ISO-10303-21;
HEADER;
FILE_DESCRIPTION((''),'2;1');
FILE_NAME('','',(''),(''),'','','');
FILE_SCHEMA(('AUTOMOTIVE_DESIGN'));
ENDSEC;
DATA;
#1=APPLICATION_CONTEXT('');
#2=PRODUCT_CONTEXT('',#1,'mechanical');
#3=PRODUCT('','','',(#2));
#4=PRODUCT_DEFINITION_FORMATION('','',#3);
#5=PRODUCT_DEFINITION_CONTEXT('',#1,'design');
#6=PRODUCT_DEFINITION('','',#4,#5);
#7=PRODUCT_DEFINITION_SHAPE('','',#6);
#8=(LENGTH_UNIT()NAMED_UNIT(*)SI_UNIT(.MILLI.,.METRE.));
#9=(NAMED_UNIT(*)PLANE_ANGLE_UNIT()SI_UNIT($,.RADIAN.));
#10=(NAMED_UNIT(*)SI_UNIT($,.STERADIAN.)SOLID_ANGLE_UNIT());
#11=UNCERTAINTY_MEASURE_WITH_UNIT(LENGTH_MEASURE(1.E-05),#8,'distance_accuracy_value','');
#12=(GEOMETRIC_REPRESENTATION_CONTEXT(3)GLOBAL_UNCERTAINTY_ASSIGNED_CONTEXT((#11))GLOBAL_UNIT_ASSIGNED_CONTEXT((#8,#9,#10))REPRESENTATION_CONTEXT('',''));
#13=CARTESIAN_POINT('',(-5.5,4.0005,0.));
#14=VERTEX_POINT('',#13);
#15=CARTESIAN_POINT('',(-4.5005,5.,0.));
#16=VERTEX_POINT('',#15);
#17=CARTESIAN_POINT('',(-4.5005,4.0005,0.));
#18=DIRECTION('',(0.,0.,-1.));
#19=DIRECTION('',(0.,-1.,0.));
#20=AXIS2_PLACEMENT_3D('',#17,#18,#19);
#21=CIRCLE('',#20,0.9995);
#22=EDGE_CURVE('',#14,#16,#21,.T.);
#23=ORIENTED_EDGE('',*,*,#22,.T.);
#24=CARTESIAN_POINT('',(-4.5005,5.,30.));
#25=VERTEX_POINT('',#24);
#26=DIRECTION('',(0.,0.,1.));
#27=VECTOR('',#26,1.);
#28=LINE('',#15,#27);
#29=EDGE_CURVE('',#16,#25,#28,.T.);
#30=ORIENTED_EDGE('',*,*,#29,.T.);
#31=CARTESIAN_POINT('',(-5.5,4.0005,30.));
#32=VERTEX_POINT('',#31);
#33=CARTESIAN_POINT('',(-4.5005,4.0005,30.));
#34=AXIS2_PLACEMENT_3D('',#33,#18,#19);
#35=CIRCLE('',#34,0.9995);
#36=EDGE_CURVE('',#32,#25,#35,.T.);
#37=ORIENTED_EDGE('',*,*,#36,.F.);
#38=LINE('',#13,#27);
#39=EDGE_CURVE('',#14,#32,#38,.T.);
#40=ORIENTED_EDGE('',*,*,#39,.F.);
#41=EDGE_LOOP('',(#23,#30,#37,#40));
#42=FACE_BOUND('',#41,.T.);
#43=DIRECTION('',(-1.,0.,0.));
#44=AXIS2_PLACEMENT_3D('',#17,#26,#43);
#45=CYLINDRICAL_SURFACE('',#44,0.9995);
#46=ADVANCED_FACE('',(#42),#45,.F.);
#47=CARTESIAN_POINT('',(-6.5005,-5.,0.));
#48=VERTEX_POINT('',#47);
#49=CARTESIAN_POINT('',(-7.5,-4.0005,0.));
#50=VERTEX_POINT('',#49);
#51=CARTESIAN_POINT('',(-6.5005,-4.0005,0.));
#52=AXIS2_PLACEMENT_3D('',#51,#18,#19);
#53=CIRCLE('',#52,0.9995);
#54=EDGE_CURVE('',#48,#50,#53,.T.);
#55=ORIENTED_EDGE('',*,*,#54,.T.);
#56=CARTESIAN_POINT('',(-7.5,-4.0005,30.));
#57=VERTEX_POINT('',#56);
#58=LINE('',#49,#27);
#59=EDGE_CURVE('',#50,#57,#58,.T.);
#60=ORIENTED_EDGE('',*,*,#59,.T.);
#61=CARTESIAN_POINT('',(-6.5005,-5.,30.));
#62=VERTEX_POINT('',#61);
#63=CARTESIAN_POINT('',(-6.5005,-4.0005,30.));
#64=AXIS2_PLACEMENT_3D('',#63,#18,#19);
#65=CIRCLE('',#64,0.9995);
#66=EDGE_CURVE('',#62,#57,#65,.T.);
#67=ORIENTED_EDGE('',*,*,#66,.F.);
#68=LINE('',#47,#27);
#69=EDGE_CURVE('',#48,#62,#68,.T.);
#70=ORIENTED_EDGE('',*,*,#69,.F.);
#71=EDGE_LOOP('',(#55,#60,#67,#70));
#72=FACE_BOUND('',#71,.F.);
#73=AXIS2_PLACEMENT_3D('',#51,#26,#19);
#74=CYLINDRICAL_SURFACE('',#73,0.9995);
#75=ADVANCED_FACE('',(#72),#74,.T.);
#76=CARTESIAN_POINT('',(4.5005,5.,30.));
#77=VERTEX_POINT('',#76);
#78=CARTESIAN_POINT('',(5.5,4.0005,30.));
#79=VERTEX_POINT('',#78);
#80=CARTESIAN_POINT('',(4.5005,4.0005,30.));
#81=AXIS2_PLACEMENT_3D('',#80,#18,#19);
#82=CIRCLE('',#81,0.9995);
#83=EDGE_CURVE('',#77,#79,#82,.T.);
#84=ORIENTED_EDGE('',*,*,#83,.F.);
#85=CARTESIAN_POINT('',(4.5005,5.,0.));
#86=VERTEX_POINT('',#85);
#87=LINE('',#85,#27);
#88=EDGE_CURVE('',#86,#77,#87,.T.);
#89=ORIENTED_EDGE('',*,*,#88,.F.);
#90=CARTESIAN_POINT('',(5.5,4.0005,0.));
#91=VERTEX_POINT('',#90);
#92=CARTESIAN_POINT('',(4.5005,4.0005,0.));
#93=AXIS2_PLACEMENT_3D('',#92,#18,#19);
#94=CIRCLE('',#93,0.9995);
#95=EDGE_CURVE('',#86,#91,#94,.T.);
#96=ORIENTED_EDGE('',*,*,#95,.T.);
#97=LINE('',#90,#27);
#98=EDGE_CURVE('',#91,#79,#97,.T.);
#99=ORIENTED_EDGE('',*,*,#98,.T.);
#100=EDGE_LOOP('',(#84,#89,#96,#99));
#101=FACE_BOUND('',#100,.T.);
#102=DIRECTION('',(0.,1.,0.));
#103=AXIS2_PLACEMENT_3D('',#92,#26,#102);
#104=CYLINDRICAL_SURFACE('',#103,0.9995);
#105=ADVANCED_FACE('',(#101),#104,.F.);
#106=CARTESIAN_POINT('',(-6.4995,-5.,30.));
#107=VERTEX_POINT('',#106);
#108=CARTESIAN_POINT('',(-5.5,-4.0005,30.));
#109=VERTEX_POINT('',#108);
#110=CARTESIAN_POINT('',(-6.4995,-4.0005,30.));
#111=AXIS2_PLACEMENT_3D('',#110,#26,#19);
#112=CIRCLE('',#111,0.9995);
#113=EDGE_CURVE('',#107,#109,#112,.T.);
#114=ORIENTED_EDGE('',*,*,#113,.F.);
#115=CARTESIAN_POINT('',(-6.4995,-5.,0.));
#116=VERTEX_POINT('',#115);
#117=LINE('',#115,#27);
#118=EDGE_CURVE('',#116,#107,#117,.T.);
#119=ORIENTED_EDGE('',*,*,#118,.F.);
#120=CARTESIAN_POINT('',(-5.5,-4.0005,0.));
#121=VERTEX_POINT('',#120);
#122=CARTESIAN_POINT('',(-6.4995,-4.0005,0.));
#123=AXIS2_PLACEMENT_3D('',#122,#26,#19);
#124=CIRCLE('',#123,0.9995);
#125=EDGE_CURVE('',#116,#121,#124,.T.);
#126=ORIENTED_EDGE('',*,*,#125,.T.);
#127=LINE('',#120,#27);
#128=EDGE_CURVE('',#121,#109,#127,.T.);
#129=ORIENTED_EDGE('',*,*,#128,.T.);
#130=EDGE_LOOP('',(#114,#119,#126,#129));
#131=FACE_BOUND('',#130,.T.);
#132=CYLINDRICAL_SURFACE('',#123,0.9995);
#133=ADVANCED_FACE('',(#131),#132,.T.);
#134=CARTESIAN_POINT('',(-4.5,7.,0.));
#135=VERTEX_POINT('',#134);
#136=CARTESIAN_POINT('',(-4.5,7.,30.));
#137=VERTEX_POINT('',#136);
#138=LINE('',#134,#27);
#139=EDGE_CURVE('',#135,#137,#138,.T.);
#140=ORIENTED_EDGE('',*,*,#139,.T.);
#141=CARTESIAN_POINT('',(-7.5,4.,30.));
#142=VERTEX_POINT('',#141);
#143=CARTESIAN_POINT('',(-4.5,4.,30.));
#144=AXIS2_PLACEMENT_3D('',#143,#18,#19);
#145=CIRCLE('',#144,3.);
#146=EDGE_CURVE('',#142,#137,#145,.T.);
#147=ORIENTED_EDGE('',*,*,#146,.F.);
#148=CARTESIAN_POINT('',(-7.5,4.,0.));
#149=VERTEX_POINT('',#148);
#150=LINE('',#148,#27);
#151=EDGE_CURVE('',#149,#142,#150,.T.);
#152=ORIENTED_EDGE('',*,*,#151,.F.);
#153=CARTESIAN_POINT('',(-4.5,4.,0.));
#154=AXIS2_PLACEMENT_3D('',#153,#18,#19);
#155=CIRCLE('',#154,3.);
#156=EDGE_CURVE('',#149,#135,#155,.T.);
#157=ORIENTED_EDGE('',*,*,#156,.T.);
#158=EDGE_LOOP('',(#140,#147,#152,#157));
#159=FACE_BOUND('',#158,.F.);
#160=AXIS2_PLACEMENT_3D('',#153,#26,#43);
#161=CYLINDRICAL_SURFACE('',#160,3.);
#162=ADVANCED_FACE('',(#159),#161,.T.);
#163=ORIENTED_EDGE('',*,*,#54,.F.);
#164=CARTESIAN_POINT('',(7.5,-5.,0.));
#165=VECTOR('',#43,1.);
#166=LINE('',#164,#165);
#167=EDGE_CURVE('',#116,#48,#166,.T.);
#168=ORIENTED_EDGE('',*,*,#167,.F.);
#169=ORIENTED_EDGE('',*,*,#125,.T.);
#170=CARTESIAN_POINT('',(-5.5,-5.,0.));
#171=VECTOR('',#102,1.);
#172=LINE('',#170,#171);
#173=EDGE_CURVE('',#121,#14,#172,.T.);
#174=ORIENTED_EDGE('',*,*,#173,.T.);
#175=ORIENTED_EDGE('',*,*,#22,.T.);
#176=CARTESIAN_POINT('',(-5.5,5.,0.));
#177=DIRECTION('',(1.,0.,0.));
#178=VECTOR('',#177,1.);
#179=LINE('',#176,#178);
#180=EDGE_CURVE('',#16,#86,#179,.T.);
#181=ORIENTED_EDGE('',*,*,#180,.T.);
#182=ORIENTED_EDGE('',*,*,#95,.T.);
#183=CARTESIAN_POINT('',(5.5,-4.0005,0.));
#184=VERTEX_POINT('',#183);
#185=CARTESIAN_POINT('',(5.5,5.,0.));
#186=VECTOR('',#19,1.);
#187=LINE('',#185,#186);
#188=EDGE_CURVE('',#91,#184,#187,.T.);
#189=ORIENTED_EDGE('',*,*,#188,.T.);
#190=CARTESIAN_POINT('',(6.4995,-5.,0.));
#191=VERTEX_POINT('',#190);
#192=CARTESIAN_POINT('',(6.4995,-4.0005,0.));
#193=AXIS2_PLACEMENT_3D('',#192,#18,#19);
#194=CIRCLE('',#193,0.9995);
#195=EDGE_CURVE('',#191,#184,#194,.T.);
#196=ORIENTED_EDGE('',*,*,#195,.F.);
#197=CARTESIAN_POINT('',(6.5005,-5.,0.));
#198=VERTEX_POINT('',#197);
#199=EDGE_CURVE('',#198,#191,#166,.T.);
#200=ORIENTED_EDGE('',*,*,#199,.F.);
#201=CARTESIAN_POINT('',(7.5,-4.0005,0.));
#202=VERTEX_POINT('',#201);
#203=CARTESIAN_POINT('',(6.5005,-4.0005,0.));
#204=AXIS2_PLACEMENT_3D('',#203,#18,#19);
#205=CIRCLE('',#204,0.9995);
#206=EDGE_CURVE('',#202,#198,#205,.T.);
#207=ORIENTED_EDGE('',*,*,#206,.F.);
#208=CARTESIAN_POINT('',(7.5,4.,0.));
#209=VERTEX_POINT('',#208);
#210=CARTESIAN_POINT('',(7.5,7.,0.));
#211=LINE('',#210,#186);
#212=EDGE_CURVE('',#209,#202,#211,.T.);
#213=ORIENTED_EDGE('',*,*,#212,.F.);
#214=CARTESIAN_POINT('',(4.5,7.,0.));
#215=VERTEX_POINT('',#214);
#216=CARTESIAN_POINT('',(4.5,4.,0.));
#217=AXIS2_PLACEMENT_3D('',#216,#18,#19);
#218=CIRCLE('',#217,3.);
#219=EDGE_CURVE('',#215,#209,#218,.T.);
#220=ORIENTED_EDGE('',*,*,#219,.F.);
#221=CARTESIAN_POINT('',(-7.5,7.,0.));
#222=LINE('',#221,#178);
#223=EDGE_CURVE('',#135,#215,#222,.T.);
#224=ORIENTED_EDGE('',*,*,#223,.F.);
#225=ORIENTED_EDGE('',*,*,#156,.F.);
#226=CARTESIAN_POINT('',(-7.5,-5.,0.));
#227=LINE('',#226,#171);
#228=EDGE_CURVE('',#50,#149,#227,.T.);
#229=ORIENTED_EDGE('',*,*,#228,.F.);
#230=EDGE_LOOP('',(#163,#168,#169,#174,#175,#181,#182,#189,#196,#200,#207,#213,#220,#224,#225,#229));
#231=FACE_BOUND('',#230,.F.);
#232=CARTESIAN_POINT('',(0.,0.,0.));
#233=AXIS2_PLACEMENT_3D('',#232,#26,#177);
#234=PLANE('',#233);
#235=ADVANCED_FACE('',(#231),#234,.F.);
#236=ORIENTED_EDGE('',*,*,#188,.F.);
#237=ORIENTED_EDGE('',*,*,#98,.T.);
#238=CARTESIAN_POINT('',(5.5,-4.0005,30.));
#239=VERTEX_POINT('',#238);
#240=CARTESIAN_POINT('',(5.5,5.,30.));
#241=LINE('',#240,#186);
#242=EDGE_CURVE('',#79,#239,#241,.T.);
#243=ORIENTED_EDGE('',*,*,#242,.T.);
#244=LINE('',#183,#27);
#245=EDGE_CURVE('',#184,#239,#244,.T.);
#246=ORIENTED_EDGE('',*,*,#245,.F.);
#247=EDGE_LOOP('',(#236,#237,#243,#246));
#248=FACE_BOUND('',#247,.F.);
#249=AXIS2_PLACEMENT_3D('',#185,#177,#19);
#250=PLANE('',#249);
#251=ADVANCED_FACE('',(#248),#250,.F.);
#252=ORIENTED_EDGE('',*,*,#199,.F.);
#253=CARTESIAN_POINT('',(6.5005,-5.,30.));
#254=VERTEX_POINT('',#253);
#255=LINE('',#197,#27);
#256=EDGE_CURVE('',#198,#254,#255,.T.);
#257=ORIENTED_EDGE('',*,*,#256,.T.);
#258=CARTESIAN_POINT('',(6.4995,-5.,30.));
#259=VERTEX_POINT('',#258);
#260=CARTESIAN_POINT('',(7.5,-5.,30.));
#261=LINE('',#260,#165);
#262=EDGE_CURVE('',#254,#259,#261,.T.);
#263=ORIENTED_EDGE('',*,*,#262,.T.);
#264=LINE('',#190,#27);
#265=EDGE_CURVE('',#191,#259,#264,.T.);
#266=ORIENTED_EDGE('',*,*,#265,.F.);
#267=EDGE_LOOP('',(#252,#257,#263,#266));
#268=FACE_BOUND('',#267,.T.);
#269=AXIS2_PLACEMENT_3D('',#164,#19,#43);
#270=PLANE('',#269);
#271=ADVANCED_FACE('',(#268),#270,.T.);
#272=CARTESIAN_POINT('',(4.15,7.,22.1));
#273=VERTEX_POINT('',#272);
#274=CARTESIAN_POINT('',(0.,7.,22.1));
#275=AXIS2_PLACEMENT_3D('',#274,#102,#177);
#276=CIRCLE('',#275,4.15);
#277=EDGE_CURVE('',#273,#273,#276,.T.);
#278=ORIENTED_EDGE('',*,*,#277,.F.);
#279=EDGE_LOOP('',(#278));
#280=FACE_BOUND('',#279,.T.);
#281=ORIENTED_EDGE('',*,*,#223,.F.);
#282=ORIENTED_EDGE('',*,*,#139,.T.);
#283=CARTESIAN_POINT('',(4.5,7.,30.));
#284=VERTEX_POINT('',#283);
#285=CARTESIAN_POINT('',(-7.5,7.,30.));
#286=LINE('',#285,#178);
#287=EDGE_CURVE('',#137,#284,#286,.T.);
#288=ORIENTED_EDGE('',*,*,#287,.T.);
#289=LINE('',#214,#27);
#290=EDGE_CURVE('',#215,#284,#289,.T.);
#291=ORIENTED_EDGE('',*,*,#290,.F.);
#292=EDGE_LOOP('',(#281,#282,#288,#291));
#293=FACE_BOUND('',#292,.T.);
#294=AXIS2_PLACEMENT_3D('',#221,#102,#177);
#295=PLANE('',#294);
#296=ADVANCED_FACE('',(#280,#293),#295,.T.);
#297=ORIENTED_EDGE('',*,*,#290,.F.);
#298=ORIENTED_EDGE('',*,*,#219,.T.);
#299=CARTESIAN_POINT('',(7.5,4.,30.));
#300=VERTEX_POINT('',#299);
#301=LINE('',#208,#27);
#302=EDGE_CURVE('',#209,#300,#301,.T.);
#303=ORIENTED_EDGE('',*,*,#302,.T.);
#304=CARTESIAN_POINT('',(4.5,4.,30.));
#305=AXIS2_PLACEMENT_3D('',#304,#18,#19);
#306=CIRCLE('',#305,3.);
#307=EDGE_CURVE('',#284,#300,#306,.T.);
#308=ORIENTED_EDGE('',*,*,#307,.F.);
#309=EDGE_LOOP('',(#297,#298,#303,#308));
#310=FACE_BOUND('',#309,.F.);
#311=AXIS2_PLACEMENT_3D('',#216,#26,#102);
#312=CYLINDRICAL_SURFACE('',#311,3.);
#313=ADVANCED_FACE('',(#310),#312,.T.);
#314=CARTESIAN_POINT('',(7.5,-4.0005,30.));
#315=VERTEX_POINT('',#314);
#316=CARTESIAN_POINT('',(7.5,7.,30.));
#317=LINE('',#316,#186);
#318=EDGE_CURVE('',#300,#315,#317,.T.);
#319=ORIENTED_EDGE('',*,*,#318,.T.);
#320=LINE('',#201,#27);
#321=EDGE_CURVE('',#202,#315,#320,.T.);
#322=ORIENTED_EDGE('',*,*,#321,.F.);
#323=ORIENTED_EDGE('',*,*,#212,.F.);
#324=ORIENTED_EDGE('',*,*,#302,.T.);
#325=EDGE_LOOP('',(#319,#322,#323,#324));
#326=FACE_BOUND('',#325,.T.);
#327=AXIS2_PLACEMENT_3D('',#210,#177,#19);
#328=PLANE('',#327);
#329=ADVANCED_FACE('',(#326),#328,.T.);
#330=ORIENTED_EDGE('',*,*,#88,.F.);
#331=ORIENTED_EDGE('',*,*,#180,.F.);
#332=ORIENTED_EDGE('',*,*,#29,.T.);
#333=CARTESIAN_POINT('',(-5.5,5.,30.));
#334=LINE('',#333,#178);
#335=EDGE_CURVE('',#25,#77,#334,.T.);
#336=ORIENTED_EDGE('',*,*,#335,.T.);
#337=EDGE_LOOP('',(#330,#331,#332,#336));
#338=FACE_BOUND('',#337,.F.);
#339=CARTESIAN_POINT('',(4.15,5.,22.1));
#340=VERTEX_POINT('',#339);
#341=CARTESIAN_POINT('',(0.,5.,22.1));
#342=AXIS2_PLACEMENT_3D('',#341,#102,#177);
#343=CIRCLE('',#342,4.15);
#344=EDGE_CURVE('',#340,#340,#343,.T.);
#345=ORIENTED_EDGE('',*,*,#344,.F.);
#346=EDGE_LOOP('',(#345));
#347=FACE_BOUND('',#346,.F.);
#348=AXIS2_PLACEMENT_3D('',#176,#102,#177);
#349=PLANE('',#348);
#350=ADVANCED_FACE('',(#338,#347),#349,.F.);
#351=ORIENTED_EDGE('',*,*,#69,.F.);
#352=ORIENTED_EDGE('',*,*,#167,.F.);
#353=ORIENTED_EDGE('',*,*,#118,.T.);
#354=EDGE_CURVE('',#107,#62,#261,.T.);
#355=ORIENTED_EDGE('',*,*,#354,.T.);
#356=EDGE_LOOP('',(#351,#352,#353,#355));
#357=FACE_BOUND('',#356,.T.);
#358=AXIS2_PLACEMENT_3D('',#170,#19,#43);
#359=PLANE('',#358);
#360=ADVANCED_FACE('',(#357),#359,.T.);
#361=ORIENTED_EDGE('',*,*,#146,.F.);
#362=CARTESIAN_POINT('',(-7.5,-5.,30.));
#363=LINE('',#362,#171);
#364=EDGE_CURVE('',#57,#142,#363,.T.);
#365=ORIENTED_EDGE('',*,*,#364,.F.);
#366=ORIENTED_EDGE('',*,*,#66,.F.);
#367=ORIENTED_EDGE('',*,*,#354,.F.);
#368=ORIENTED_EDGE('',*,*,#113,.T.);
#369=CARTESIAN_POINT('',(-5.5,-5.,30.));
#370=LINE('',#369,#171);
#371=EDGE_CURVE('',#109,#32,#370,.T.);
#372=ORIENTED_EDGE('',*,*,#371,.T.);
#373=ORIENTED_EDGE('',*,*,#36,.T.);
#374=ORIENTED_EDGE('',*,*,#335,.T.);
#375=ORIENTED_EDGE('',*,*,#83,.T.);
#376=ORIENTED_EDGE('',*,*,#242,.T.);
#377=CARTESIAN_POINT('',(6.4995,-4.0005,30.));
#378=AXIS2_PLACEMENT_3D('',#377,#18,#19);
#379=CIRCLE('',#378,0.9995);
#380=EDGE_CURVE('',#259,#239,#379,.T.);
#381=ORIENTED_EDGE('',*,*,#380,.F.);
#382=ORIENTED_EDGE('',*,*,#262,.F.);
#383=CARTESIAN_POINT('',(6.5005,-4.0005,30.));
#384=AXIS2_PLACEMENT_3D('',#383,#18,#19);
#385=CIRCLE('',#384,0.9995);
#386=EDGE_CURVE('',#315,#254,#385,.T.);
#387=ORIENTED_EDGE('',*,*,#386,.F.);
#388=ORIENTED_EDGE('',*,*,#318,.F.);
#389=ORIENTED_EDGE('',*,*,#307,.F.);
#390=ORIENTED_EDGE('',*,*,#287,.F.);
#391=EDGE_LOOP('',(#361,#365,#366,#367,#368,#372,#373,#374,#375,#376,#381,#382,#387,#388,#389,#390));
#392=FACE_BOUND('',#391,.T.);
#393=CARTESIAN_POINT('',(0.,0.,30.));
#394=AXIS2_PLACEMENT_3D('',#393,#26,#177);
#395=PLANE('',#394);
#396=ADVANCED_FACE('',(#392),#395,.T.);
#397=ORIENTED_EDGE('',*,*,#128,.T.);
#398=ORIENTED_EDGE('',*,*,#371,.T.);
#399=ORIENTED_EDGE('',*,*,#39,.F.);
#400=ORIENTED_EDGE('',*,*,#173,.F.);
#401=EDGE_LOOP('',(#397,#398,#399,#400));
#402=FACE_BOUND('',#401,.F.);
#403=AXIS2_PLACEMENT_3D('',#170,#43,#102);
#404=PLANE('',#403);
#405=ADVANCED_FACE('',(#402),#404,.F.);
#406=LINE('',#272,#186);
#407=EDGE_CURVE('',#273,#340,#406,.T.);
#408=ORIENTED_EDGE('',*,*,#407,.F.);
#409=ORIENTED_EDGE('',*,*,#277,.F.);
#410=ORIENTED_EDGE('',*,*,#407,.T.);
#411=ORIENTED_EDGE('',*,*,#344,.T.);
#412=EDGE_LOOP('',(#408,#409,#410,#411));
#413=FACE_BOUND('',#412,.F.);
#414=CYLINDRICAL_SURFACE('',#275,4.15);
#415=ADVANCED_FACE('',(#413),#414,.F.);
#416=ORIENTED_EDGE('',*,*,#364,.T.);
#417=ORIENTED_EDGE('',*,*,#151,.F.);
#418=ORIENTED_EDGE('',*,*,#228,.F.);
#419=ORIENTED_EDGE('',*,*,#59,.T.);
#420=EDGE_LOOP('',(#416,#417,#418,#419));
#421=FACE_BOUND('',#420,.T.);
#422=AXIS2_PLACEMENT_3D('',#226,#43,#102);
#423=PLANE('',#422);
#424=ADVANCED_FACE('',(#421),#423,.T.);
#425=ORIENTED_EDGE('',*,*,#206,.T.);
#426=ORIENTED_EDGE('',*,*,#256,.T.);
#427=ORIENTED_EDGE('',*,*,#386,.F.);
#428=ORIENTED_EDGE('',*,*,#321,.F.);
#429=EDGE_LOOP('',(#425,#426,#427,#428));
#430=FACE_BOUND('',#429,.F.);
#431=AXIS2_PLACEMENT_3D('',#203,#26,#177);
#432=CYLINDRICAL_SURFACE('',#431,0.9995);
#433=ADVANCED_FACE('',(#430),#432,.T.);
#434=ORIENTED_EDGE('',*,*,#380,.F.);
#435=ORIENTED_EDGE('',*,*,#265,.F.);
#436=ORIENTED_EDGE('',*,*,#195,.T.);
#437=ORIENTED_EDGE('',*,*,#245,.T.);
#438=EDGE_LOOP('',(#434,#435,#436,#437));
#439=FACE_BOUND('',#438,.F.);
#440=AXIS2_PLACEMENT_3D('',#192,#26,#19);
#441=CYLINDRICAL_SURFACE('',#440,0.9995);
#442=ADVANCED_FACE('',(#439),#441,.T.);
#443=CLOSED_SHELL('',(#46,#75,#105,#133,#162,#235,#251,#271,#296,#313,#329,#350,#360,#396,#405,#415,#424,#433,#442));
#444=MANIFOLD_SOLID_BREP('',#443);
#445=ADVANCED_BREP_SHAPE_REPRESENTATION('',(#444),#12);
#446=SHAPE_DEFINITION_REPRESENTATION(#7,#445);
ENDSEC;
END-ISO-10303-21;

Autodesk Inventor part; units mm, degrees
ref_plane "YZ Plane" through (0, 0, 0) normal (1, 0, 0) x (0, 1, 0)
ref_plane "XZ Plane" through (0, 0, 0) normal (0, 1, 0) x (-1, 0, 0)
ref_plane "XY Plane" through (0, 0, 0) normal (0, 0, 1) x (1, 0, 0)
sketch "Sketch1" plane through (0, 0, 0) normal (0, 0, 1) x (1, 0, 0)
  line L0 (5.5, -5) -> (-5.5, -5) construction
  line L1 (-5.5, -5) -> (-5.5, 5)
  line L2 (-5.5, 5) -> (5.5, 5)
  line L3 (5.5, 5) -> (5.5, -5)
  line L4 (5.5, -5) -> (-5.5, 5) construction
  line L5 (-5.5, -5) -> (5.5, 5) construction
  line L6 (-7.5, 7) -> (7.5, 7)
  line L7 (7.5, 7) -> (7.5, -5)
  line L8 (7.5, -5) -> (-7.5, -5)
  line L9 (-7.5, -5) -> (-7.5, 7)
  line L10 (0, 0) -> (0, 7) construction
  point P0 (0, 0)
  dimension "d6" = 11
  dimension "d7" = 10
  dimension "d8" = 2
  dimension "d9" = 10
  dimension "d10" = 2
extrude "Extrusion1" add sketch "Sketch1" along normal blind 30 contours L8 L9 L6 L7 L3 L2 L1
sketch "Sketch2" plane through (-7.5, 7, 0) normal (0, 1, 0) x (1, 0, 0)
  line L0 (7.5, 0) -> (7.5, -30) construction
  line L1 (15, -30) -> (0, -30) construction
  circle A0 centre (7.5, -22.1) radius 4.15
  dimension "d14" = 7.9
  dimension "d15" = 8.3
extrude "Extrusion2" cut sketch "Sketch2" against normal up to next
sketch "Sketch3" plane through (0, 0, 0) normal (0, 0, 1) x (1, 0, 0)
  line L0 (-7.5, 7) -> (-7.5, -5) construction
  line L1 (7.5, -5) -> (7.5, 7) construction
  line L2 (5.5, -5) -> (7.5, -5) construction
  line L3 (7.5, 7) -> (-7.5, 7) construction
  line L4 (-7.5, -5) -> (-5.5, -5) construction
  line L5 (5.5, 5) -> (5.5, -5) construction
  line L6 (-5.5, -5) -> (5.5, -5) construction
  line L7 (0, -5) -> (0, 7)
  line L8 (-4.15, 7) -> (4.15, 7) construction
  line L9 (-7.5, 7) -> (-7.5, -5) construction
  line L10 (-7.5, 0) -> (7.5, 0)
  point P0 (0, 0)
fillet "Fillet1" radius 1 6 edges at (-5.5, -5, 15) (-7.5, -5, 15) (5.5, -5, 15) (7.5, -5, 15) (-5.5, 5, 15) (5.5, 5, 15)
fillet "Fillet4" radius 3 2 edges at (-7.5, 7, 15) (7.5, 7, 15)
properties part number "base_fotodiode"
